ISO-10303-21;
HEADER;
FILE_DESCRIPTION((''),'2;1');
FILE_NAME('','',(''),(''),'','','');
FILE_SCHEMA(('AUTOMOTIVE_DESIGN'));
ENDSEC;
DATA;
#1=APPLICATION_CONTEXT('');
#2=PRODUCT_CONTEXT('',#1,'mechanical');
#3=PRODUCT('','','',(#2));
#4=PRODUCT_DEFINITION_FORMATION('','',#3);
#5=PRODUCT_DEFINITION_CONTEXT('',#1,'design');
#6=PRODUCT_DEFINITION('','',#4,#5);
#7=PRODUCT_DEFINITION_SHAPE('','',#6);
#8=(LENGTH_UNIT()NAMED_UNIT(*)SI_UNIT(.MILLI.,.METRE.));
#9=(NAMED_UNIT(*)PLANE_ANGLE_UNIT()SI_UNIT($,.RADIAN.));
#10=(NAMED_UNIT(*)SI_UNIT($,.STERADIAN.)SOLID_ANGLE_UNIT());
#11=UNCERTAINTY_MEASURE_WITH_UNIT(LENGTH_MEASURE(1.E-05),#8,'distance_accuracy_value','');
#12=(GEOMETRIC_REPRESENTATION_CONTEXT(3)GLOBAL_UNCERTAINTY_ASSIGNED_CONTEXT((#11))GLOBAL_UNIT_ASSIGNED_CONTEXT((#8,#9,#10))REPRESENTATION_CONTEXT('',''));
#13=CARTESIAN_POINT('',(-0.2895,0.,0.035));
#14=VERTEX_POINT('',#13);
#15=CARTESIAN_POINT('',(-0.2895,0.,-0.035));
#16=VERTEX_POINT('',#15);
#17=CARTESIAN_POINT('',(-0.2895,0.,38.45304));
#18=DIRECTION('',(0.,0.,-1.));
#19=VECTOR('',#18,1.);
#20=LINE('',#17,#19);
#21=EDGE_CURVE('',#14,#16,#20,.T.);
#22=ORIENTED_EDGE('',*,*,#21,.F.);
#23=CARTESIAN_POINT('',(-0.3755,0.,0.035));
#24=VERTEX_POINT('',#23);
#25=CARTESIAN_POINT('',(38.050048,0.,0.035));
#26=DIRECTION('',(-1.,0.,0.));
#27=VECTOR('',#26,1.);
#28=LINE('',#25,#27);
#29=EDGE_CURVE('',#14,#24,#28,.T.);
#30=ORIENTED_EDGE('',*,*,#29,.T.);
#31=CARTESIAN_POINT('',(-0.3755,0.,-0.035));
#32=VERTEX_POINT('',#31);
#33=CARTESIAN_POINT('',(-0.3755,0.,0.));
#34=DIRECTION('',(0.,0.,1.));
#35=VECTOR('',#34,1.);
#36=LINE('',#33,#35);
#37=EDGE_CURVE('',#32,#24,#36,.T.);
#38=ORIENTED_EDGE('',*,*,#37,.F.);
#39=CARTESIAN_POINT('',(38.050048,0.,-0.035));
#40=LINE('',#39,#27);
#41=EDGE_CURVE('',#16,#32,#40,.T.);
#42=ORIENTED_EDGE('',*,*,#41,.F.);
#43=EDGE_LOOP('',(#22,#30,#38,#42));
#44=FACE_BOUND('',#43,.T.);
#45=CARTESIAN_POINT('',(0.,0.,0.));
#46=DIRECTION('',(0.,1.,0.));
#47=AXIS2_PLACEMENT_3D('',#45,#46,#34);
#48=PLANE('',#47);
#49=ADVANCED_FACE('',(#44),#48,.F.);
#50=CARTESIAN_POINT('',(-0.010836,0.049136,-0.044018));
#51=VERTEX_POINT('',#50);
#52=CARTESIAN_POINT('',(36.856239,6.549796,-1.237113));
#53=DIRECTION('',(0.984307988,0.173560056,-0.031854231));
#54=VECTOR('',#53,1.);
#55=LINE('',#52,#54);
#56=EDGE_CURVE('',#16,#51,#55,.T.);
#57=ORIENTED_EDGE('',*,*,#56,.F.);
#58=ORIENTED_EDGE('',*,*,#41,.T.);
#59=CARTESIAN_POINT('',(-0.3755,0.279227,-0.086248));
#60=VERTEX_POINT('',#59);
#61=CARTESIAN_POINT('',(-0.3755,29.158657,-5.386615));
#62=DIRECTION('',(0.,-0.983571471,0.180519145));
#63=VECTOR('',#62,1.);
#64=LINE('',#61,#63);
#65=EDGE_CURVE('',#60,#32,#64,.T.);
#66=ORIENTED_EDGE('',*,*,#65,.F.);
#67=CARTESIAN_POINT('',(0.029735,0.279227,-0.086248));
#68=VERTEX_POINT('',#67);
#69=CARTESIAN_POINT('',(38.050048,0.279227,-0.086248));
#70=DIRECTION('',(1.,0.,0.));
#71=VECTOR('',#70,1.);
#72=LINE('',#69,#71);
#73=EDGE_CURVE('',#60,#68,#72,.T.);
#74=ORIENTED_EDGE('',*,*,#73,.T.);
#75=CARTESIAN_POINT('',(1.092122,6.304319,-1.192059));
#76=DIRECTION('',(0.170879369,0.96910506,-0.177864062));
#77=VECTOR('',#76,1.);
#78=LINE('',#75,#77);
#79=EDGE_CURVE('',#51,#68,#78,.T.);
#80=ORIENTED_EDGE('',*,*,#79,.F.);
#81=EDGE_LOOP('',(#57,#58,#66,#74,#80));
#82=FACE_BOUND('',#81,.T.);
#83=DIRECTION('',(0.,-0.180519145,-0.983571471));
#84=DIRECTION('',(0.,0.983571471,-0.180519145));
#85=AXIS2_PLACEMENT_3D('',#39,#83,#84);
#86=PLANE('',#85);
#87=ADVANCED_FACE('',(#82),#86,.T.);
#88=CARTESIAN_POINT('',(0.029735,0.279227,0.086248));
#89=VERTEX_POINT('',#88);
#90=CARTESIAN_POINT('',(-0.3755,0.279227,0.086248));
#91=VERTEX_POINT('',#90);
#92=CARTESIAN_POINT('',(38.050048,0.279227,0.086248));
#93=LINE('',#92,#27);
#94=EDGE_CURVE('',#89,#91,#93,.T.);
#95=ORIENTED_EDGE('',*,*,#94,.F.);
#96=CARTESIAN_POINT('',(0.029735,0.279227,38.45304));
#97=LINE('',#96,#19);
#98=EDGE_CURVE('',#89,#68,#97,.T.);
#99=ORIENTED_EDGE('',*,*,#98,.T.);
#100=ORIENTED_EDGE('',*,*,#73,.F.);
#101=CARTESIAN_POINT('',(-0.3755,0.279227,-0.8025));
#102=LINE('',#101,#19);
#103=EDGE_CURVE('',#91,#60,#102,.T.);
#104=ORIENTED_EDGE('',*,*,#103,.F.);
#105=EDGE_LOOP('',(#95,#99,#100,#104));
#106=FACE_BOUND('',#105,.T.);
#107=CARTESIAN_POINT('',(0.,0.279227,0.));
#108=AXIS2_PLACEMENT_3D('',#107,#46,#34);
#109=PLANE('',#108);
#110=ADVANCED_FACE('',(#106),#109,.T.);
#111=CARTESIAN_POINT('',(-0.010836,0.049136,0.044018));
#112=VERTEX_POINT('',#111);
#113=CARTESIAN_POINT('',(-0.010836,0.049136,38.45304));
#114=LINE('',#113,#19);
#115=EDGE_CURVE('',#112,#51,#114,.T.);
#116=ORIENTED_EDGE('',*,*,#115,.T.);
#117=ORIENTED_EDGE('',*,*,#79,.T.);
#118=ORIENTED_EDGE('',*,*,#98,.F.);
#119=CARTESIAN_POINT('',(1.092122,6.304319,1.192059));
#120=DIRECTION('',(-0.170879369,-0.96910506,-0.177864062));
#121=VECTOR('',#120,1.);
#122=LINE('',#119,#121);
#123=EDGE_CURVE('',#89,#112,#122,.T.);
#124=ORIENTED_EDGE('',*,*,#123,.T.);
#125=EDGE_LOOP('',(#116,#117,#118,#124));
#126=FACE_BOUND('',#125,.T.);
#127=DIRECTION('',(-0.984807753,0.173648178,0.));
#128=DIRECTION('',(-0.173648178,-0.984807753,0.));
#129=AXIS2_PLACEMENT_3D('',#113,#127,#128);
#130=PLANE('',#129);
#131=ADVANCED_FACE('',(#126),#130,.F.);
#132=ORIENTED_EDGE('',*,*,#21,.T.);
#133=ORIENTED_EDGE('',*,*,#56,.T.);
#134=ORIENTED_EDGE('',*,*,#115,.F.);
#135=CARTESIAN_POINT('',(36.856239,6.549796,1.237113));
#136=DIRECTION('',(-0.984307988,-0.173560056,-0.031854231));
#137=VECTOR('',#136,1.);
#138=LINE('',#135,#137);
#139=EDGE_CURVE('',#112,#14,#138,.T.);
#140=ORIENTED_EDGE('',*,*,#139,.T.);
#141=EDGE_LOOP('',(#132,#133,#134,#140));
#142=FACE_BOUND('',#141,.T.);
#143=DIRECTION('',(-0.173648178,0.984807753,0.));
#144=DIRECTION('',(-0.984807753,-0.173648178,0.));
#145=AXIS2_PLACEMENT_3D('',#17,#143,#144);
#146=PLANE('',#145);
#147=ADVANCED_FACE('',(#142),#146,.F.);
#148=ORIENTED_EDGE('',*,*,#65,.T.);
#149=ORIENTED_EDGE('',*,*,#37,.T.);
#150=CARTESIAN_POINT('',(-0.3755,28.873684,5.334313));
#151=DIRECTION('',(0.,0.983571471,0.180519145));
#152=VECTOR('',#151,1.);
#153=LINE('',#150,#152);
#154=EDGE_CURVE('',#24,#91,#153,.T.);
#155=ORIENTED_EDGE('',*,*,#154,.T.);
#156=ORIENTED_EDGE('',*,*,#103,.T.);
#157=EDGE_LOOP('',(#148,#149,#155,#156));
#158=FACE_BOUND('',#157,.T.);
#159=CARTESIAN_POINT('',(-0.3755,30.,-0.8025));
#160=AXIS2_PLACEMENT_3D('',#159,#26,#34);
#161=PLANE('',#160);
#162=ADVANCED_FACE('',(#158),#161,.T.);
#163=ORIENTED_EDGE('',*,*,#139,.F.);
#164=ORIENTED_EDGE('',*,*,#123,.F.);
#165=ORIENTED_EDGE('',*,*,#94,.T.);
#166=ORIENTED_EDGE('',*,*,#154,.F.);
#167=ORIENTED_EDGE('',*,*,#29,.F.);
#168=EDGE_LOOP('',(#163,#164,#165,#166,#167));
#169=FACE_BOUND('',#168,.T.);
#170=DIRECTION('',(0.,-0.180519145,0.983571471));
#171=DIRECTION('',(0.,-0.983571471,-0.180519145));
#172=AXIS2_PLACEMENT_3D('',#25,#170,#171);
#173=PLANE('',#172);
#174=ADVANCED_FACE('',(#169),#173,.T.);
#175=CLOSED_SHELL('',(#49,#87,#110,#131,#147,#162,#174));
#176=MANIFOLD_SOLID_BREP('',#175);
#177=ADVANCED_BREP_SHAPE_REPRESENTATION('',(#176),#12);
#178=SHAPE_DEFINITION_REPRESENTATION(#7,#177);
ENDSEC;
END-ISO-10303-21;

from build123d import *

# Parameters (mm, degrees)
TD_SKETCH_R                   = 0.792499939
TL_FEATURE_DEPTH              = 29.999999944
TDF_STD_SKETCH_W              = 1.604999838
TDF_STD_SKETCH_H              = 1.604999838
TDF_STD_FEATURE_DEPTH         = 31.02092785
ISA_20_STD_FEATURE_DEPTH      = 31.02092785
ISA_20_STD_FEATURE_DEPTH_BACK = 31.02092785
F_10BA_STD_FEATURE_DEPTH      = 31.02092785
F_10BA_STD_FEATURE_DEPTH_BACK = 31.02092785


with BuildPart() as part:
    # TD_sketch → TL_feature (new body)
    with BuildSketch(Plane(origin=(0, 0, 0), x_dir=(1, 0, 0), z_dir=(0, 1, 0))):
        with Locations(Location((0, 0, 0), (0, 0, 270))):
            Circle(TD_SKETCH_R)
    extrude(amount=TL_FEATURE_DEPTH)

    # TDF_STD_sketch → TDF_STD_feature (cut, through all)
    with BuildSketch(Plane(origin=(0, 0, 0), x_dir=(1, 0, 0), z_dir=(0, 1, 0))):
        with Locations((-1.17799993, 0)):
            Rectangle(TDF_STD_SKETCH_W, TDF_STD_SKETCH_H)
    extrude(amount=TDF_STD_FEATURE_DEPTH, mode=Mode.SUBTRACT)

    # ISA_20_STD_sketch → ISA_20_STD_feature (cut, two sides: drawn at the far end of the back side and taken through both)
    with BuildSketch(Plane(origin=(0, 0, 0), x_dir=(0, 0, -1), z_dir=(1, 0, 0)).offset(-ISA_20_STD_FEATURE_DEPTH_BACK)):
        Polygon((-18.416115078, 100.150819523), (-5.541030384, 29.999999944), (-0.035000057, 0), (0.035000057, 0), (5.541030384, 29.999999944), (18.416115078, 100.150819523), (18.416115078, -42.494268629), (-18.416115078, -42.494268629), align=None)
    extrude(amount=ISA_20_STD_FEATURE_DEPTH + ISA_20_STD_FEATURE_DEPTH_BACK, mode=Mode.SUBTRACT)

    # 10BA_STD_sketch → 10BA_STD_feature (cut, two sides: drawn at the far end of the back side and taken through both)
    with BuildSketch(Plane.XY.offset(-F_10BA_STD_FEATURE_DEPTH_BACK)):
        Polygon((-71.42876073, 0), (-0.375500011, 0), (-0.289499929, 0), (-0.010835963, 0.049135976), (5.27030945, 29.999999944), (17.608578692, 99.973801977), (123.729747966, 5.461575957), (34.692408544, -94.51222602), align=None)
    extrude(amount=F_10BA_STD_FEATURE_DEPTH + F_10BA_STD_FEATURE_DEPTH_BACK, mode=Mode.SUBTRACT)

    # cut_feature
    split(bisect_by=Plane(origin=(0, 0.279226503, 0), x_dir=(1, 0, 0), z_dir=(0, 1, 0)), keep=Keep.BOTTOM)


solid = part.part
